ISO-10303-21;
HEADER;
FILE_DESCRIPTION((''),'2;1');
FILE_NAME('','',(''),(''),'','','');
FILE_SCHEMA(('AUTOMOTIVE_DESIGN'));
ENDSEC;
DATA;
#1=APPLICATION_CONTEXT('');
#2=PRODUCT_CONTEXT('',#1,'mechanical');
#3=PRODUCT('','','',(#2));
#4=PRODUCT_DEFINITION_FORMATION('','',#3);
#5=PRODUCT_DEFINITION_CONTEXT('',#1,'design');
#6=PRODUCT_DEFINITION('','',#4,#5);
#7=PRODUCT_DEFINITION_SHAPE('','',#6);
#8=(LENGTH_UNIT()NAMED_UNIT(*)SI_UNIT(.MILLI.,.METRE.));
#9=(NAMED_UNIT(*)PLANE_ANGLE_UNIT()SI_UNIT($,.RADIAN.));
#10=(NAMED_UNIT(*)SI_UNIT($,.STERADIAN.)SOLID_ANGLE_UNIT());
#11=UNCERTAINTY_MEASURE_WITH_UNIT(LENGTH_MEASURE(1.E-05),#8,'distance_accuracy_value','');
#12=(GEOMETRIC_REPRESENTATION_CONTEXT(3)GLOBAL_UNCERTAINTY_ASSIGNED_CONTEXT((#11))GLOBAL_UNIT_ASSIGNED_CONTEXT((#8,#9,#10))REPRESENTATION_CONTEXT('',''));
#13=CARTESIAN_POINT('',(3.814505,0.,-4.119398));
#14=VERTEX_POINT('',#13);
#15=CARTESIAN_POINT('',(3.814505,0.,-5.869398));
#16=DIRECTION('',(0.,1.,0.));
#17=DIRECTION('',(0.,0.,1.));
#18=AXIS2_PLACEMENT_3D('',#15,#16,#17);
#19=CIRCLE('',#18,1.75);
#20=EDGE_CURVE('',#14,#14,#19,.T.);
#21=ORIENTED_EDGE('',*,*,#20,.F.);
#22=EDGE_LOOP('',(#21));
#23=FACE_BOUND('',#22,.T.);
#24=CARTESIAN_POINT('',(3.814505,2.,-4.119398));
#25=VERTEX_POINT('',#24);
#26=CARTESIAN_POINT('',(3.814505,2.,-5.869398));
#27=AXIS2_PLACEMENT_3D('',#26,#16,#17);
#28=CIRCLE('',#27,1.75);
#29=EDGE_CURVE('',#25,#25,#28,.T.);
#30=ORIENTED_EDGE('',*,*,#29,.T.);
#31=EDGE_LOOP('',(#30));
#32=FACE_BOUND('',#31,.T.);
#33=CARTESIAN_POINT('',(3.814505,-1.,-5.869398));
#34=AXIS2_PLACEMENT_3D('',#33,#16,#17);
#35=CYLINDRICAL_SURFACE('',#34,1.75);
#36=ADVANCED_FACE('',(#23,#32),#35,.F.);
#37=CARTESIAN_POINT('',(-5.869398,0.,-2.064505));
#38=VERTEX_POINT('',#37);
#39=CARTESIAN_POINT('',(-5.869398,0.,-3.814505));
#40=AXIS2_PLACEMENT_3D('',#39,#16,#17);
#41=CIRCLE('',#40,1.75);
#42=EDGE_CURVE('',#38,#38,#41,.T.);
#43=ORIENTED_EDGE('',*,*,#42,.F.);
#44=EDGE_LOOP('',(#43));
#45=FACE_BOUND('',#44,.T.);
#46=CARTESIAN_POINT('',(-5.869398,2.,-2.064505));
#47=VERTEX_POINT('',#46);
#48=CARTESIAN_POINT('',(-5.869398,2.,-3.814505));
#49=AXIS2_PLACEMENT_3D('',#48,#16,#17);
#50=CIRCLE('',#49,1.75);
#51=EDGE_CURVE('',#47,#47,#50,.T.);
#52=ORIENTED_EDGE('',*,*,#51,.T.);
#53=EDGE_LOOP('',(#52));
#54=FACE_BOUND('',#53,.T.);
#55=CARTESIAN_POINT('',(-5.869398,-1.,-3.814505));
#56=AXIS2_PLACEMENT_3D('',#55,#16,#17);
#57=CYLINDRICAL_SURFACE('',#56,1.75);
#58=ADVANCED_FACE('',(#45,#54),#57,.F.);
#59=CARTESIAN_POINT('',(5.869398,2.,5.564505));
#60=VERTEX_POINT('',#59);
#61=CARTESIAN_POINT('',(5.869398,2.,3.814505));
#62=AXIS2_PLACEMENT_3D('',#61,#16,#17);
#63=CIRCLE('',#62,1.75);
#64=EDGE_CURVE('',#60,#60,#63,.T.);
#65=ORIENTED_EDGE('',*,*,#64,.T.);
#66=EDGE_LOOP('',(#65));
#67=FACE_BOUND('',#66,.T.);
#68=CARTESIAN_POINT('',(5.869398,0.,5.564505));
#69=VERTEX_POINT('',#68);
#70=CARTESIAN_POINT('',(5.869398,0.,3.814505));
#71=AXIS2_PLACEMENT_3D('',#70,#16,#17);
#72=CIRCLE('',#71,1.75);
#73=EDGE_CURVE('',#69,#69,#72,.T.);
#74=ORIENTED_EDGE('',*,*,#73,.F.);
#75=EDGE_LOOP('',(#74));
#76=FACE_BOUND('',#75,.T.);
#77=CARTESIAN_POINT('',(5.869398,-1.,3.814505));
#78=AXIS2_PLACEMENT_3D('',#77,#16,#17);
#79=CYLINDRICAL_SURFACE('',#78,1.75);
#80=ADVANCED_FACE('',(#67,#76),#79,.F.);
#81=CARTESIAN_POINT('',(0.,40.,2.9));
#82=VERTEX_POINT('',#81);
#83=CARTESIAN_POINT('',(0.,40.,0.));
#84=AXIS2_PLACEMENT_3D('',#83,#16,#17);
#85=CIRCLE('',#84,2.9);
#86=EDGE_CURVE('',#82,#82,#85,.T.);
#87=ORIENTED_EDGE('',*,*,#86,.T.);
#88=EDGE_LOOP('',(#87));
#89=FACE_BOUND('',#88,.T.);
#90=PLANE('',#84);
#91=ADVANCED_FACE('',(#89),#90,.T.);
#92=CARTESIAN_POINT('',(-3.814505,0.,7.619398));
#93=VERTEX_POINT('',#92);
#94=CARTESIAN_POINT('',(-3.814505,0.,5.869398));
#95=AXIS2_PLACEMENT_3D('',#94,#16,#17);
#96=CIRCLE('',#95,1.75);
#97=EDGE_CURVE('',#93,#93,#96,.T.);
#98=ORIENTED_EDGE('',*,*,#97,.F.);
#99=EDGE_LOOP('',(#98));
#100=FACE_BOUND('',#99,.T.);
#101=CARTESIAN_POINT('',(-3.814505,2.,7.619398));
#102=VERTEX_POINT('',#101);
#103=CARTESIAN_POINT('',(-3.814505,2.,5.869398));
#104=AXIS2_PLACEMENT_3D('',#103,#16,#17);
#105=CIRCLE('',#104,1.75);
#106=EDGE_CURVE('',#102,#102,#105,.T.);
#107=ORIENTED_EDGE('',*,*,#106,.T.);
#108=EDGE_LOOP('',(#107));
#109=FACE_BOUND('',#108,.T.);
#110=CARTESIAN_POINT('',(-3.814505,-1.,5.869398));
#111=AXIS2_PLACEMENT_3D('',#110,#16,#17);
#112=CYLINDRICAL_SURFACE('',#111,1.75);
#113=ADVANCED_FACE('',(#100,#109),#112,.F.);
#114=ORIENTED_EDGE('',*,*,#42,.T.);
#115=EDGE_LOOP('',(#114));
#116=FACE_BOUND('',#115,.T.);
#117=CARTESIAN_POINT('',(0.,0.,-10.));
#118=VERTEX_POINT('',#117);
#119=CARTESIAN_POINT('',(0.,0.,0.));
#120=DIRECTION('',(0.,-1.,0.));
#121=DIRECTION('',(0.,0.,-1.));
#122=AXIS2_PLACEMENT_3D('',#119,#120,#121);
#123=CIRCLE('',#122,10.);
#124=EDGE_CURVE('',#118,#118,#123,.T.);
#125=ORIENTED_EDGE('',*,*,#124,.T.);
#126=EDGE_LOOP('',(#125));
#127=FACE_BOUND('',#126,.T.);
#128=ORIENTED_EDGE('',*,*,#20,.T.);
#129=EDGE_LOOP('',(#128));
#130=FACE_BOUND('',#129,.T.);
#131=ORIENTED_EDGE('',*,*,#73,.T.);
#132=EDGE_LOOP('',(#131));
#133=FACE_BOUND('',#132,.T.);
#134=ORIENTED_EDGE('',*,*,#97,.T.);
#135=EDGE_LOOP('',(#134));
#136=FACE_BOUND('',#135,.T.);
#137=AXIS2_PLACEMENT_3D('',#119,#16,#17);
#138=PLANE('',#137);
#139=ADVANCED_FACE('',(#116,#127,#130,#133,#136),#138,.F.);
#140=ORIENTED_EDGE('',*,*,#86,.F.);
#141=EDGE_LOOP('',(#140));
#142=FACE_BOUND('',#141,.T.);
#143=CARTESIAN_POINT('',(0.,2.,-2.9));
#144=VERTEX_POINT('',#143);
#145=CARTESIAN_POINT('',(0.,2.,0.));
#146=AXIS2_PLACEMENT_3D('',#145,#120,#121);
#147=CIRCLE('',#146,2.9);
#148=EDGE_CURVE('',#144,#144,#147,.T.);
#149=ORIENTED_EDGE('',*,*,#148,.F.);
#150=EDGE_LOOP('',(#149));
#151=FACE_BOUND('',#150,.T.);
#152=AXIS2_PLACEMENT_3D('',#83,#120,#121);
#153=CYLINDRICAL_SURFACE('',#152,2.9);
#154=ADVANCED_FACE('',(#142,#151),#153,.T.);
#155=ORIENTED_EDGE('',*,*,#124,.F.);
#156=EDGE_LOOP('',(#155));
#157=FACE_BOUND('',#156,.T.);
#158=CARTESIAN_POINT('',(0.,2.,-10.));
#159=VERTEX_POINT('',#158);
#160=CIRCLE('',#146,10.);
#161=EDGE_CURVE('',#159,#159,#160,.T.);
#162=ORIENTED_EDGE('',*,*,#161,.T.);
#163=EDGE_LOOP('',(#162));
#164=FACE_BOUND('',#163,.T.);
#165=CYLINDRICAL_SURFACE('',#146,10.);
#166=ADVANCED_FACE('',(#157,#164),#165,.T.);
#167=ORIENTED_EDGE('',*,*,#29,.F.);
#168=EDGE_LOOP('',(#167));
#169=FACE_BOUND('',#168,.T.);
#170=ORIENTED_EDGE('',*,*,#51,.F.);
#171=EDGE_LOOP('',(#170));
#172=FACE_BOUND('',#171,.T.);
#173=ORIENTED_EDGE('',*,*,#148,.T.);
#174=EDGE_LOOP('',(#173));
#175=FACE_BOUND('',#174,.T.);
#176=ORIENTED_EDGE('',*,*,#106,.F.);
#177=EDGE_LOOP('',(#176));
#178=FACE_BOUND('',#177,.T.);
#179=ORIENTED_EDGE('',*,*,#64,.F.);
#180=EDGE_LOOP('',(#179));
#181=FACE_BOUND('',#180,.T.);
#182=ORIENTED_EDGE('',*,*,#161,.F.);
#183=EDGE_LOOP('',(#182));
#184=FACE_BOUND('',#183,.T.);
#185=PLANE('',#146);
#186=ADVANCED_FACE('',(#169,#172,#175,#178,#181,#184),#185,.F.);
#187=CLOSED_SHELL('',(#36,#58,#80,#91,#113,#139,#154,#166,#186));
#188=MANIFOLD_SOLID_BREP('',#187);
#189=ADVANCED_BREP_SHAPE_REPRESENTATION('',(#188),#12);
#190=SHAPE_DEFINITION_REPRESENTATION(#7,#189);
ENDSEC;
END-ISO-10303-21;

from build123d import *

# Parameters (mm, degrees)
SKETCH_1_R          = 2.9
EXTRUDE_1_DEPTH     = 40
SKETCH_2_R          = 10
EXTRUDE_2_DEPTH     = 2
SKETCH_3_R          = 1.75
CUT_EXTRUDE_1_DEPTH = 3


with BuildPart() as part:
    # 草图1 → 凸台-拉伸1 (new body)
    with BuildSketch(Plane(origin=(0, 0, 0), x_dir=(1, 0, 0), z_dir=(0, 1, 0))):
        with Locations(Location((0, 0, 0), (0, 0, 270))):
            Circle(SKETCH_1_R)
    extrude(amount=EXTRUDE_1_DEPTH)

    # 草图2 → 凸台-拉伸2 (add)
    with BuildSketch(Plane.XZ):
        with Locations(Location((0, 0, 0), (0, 0, 270))):
            Circle(SKETCH_2_R)
    extrude(amount=-EXTRUDE_2_DEPTH)

    # 草图3 → 切除-拉伸1 (cut)
    with BuildSketch(Plane(origin=(0, 2, 0), x_dir=(1, 0, 0), z_dir=(0, 1, 0))):
        with Locations(Location((-3.814504668, -5.869398434, 0), (0, 0, 270))):
            Circle(SKETCH_3_R)
        with Locations(Location((-5.869398434, 3.814504668, 0), (0, 0, 270))):
            Circle(SKETCH_3_R)
        with Locations(Location((3.814504668, 5.869398434, 0), (0, 0, 270))):
            Circle(SKETCH_3_R)
        with Locations(Location((5.869398434, -3.814504668, 0), (0, 0, 270))):
            Circle(SKETCH_3_R)
    extrude(amount=-CUT_EXTRUDE_1_DEPTH, mode=Mode.SUBTRACT)


solid = part.part
